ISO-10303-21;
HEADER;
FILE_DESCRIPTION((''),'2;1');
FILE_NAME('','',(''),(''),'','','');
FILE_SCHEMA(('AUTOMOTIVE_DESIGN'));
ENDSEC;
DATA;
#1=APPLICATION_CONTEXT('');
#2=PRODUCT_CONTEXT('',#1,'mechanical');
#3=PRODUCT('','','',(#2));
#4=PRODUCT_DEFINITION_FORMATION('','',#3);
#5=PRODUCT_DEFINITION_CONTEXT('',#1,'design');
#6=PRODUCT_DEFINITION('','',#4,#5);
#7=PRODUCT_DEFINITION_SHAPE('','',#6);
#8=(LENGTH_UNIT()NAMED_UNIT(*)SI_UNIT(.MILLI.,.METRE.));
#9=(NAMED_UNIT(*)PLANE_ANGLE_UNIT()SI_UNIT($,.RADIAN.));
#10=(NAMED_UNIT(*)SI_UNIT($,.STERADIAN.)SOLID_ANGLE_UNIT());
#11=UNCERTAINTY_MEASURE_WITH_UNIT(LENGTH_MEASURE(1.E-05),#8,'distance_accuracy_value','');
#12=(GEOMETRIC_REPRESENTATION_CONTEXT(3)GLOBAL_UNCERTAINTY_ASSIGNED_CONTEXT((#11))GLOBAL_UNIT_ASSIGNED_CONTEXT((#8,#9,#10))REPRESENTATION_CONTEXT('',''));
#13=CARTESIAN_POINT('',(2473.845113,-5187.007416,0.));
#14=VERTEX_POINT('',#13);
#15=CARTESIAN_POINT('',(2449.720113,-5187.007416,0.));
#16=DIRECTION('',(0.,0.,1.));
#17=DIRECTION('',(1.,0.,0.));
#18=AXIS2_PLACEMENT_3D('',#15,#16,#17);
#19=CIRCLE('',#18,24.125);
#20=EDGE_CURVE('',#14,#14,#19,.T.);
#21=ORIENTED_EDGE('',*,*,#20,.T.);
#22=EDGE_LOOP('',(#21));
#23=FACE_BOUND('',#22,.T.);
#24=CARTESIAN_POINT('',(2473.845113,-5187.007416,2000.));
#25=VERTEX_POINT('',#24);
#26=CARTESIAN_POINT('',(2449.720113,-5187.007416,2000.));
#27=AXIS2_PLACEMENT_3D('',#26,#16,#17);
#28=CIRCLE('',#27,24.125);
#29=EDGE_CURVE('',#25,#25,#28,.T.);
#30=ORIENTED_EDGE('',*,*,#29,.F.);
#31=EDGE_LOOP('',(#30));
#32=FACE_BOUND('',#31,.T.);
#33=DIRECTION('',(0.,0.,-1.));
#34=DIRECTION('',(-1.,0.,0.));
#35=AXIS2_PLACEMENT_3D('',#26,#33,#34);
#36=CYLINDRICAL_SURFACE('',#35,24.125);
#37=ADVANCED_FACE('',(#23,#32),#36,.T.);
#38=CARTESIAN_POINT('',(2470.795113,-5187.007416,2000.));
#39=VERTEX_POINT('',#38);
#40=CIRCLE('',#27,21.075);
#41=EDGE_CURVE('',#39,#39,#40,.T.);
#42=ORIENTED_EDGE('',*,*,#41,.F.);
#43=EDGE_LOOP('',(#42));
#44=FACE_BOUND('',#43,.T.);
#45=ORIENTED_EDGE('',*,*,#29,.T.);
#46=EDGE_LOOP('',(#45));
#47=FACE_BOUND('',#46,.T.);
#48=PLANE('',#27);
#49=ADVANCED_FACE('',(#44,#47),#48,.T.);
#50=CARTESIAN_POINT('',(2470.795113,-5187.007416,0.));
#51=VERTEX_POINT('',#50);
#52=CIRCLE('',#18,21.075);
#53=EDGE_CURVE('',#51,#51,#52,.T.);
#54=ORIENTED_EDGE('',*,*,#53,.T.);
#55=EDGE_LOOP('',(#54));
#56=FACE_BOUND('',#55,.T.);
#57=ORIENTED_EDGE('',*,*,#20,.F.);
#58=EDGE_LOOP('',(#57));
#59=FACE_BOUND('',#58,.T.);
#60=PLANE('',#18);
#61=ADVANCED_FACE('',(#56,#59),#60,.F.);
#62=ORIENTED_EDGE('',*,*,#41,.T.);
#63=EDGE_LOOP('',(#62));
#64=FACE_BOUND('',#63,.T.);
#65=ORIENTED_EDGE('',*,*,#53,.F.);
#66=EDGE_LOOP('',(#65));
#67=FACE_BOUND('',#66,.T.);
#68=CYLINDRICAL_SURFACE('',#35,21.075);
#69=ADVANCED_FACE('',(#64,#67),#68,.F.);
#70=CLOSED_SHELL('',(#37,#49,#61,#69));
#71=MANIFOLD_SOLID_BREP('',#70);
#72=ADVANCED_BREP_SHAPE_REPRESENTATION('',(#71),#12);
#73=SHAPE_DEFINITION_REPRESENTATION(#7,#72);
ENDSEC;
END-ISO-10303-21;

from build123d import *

# Parameters (mm, degrees)
SKETCH2_R           = 24.125
SKETCH2_R_2         = 21.075
BOSS_EXTRUDE1_DEPTH = 2000


with BuildPart() as part:
    # Sketch2 → Boss-Extrude1 (new body)
    with BuildSketch(Plane.XY):
        with Locations((2449.72011288, -5187.007415734)):
            Circle(SKETCH2_R)
        with Locations((2449.72011288, -5187.007415734)):
            Circle(SKETCH2_R_2, mode=Mode.SUBTRACT)
    extrude(amount=BOSS_EXTRUDE1_DEPTH)


solid = part.part
